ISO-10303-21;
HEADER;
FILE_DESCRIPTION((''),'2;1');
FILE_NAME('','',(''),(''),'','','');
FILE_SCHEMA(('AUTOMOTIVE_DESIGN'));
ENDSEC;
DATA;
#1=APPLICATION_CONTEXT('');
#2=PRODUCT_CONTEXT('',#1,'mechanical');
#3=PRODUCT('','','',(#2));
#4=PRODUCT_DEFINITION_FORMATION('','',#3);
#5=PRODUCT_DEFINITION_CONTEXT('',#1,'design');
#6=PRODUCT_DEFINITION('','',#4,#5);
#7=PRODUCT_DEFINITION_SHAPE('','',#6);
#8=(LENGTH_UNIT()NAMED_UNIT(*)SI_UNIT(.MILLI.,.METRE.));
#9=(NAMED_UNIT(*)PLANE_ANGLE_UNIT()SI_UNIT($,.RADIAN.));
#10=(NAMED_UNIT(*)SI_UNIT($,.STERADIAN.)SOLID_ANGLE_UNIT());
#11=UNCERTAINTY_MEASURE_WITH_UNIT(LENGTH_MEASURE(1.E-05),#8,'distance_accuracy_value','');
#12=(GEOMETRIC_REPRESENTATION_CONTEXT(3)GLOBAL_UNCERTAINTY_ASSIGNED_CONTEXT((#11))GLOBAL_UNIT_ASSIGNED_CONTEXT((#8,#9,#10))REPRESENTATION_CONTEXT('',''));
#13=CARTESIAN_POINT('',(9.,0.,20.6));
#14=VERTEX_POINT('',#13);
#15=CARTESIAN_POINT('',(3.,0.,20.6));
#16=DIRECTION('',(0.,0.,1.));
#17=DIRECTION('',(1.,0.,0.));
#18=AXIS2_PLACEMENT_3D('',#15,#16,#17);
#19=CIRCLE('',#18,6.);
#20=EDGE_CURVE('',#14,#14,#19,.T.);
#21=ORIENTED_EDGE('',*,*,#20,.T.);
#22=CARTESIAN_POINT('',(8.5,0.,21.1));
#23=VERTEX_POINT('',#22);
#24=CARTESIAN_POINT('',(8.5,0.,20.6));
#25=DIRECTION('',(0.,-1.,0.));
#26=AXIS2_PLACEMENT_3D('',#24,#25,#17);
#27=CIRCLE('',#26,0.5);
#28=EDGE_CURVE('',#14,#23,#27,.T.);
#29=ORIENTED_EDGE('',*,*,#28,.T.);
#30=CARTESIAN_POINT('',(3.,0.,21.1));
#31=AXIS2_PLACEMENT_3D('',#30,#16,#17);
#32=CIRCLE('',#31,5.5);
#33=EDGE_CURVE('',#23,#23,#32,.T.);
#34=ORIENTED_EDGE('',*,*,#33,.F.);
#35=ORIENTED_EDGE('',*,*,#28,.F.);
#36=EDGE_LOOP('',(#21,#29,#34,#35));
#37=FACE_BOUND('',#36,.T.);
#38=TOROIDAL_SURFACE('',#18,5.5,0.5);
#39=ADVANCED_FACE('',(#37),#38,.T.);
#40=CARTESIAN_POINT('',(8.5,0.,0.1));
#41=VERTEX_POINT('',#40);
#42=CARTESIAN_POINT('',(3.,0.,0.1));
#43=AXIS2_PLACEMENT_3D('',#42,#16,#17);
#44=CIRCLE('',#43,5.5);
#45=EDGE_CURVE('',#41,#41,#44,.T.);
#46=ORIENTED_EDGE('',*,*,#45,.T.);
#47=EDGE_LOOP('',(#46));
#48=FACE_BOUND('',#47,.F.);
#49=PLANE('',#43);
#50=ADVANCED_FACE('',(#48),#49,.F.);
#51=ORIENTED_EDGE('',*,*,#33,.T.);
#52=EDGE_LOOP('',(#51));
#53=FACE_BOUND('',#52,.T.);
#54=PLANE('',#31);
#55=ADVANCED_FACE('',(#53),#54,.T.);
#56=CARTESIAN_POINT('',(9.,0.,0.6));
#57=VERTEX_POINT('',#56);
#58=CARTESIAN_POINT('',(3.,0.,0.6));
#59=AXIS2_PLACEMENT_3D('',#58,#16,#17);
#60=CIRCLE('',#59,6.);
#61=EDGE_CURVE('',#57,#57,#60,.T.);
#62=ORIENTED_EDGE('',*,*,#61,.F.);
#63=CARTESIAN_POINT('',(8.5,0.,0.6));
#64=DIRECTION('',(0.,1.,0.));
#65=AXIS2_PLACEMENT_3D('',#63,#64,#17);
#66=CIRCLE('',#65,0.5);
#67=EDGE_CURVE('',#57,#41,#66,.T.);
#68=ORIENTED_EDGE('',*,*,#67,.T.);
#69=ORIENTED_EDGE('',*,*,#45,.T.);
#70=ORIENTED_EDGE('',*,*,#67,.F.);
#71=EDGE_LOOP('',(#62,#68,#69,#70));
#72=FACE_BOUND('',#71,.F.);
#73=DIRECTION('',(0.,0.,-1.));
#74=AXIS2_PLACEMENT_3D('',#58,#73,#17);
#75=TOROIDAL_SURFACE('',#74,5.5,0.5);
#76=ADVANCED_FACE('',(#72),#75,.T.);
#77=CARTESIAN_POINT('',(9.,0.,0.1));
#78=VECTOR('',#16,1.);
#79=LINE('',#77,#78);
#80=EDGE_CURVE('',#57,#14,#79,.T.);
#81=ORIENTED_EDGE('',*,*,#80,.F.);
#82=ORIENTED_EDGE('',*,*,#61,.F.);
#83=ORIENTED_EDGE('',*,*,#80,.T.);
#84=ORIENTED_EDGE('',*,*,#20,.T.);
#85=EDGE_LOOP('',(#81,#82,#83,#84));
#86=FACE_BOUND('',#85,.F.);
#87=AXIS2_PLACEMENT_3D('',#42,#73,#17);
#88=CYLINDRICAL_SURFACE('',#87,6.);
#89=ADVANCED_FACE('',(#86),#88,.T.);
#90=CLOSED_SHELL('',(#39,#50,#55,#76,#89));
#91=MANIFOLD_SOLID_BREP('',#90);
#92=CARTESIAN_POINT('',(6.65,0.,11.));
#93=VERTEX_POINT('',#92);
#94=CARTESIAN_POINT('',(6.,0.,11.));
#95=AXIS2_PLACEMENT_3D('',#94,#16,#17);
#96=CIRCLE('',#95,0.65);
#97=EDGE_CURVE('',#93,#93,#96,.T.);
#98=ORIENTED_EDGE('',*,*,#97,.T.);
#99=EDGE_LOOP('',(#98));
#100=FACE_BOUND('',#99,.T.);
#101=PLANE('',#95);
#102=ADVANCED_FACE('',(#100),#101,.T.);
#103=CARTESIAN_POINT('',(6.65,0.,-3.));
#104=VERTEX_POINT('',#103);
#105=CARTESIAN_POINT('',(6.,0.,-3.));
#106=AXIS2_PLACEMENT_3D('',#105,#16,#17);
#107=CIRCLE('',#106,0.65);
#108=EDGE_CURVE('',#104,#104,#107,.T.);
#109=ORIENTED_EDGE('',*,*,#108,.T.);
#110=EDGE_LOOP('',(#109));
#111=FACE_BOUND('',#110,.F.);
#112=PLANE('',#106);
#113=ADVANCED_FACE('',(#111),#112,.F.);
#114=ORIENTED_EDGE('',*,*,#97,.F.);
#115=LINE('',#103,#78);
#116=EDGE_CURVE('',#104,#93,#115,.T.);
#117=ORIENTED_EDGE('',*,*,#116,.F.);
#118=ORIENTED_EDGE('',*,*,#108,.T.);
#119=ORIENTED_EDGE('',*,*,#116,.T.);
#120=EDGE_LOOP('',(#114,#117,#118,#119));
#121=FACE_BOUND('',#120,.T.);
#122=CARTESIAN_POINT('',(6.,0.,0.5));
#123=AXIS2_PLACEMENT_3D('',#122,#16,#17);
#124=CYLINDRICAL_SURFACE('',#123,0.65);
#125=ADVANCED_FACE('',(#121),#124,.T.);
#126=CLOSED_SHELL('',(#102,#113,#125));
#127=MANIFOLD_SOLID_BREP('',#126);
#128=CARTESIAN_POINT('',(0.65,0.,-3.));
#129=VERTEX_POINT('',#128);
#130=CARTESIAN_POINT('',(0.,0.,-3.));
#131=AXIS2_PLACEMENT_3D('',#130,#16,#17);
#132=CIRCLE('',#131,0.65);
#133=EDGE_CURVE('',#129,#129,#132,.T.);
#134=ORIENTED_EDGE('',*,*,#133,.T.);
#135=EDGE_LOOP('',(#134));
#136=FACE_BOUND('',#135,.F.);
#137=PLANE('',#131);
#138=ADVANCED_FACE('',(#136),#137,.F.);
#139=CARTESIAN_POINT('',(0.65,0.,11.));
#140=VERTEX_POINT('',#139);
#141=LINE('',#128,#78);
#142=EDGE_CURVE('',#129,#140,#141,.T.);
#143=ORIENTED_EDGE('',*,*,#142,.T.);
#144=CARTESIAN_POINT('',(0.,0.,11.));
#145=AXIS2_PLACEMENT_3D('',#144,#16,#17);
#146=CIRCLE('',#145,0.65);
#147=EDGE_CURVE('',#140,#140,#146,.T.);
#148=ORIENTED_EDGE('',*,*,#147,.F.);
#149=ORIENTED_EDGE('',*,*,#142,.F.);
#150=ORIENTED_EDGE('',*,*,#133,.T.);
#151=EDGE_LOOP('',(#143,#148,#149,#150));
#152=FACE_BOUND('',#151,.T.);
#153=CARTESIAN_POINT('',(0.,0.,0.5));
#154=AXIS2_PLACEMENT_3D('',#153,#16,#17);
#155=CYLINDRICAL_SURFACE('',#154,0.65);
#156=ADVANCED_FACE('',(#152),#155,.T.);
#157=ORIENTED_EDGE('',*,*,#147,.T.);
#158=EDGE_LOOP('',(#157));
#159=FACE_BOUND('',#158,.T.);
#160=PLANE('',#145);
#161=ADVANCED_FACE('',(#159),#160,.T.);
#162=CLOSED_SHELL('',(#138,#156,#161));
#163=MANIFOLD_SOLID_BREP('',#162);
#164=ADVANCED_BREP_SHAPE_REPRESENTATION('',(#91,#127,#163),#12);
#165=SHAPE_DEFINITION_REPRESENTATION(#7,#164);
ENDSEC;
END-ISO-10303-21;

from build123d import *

# Parameters (mm, degrees)
SKETCH001_R       = 0.65
PAD001_DEPTH      = 10.5
PAD001_DEPTH_BACK = 3.5
SKETCH_R          = 6
PAD_DEPTH         = 21
FILLET_R          = 0.5


with BuildPart() as pad001:
    # Sketch001 → Pad001 (new body, two sides)
    with BuildSketch(Plane.XY.offset(0.5)) as pad001_sk:
        Circle(SKETCH001_R)
        with Locations((6, 0)):
            Circle(SKETCH001_R)
    extrude(amount=PAD001_DEPTH)
    extrude(pad001_sk.sketch, amount=-PAD001_DEPTH_BACK)


with BuildPart() as fillet_body:
    # Sketch → Pad (new body)
    with BuildSketch(Plane.XY.offset(0.1)):
        with Locations((3, 0)):
            Circle(SKETCH_R)
    extrude(amount=PAD_DEPTH)

    # Fillet
    fillet_edges = [fillet_body.edges().sort_by_distance(p)[0] for p in [
        (-3, 0, 0.1),
        (-3, 0, 21.1),
    ]]
    fillet(fillet_edges, radius=FILLET_R)


solid = Compound([pad001.part, fillet_body.part])
